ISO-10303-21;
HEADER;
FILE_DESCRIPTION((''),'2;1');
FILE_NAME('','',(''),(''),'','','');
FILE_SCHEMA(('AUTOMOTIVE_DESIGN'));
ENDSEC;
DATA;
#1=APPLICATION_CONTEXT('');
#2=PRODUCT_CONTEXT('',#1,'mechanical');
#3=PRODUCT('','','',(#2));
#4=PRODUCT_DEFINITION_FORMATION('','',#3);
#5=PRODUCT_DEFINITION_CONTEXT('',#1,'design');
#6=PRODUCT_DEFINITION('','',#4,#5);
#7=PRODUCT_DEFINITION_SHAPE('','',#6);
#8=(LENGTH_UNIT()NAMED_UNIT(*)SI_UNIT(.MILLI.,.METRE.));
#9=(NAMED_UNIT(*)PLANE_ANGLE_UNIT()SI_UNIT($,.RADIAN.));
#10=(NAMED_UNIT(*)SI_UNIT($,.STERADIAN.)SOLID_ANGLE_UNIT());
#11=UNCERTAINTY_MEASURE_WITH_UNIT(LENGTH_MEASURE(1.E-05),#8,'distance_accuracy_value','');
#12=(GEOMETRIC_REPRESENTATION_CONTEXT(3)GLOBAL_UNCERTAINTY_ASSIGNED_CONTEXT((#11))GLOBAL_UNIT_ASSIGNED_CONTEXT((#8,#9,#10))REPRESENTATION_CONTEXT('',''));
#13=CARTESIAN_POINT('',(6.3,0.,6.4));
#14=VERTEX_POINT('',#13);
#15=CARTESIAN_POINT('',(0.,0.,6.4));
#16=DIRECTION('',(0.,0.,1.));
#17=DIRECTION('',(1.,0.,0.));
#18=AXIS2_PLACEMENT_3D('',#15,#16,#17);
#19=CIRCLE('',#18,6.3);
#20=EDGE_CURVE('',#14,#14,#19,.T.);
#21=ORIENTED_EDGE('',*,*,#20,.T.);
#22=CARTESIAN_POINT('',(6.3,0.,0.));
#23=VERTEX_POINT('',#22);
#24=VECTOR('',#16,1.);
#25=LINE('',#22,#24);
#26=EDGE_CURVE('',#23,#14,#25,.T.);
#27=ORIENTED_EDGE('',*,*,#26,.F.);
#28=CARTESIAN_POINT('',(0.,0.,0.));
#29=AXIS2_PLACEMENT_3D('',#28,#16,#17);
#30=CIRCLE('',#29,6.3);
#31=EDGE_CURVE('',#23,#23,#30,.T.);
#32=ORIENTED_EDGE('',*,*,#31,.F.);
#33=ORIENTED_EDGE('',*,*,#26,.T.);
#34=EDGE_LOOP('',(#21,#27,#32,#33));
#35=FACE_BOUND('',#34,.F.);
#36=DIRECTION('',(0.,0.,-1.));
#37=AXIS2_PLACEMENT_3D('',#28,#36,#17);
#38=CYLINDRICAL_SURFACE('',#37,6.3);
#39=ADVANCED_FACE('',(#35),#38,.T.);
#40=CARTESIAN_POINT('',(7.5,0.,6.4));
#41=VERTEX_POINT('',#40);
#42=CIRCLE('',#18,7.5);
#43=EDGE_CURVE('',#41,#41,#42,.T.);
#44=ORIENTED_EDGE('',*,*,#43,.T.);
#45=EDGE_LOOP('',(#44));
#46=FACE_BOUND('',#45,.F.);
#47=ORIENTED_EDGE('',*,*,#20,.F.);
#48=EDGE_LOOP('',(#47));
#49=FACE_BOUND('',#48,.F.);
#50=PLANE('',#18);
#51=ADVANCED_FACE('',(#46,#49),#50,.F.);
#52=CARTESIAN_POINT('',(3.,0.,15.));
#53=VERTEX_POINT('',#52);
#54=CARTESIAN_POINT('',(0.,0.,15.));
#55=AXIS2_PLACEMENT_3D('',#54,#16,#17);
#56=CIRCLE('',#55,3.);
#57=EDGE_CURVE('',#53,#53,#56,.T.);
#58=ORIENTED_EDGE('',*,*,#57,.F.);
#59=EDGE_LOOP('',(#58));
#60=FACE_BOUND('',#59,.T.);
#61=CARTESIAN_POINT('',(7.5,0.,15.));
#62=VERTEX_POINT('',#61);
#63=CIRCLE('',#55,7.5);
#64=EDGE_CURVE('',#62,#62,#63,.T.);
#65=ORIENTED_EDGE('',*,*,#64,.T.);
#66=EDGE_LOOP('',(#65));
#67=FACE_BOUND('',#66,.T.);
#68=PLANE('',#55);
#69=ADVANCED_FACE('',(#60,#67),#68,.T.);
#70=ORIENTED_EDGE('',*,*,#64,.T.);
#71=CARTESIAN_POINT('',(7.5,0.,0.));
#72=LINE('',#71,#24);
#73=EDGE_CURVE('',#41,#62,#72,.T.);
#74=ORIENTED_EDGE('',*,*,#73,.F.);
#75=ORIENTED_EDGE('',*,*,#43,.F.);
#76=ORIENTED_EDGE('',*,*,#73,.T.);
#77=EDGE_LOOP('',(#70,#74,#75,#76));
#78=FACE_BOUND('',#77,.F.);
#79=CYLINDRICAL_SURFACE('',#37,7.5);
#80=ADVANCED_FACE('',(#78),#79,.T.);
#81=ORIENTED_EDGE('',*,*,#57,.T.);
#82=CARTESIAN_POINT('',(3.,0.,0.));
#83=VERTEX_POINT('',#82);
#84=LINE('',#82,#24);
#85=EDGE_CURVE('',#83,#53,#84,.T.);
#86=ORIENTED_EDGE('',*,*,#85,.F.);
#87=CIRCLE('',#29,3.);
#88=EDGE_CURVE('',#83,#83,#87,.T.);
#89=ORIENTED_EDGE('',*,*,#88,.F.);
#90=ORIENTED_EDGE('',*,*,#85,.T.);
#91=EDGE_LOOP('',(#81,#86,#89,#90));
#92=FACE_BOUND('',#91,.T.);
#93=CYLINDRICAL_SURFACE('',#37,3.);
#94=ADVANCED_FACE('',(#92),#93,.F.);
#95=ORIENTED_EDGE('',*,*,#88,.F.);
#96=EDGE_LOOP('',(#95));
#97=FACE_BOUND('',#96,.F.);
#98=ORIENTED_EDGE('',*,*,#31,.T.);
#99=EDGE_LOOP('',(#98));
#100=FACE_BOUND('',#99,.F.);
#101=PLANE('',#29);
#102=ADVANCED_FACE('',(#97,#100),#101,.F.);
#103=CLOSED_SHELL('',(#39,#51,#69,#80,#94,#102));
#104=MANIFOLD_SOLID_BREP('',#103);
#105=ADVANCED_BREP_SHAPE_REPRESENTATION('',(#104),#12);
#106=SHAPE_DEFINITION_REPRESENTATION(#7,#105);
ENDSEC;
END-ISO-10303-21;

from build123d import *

# Parameters (mm, degrees)
F0_R     = 7.5
F0_R_2   = 3
F1_DEPTH = 15
F2_R     = 7.5
F2_R_2   = 6.3
F3_DEPTH = 6.4


with BuildPart() as f1:
    # F0 (on Top) → F1 (new body)
    with BuildSketch(Plane.XY):
        Circle(F0_R)
        Circle(F0_R_2, mode=Mode.SUBTRACT)
    extrude(amount=F1_DEPTH)

    # F2 (on Top) → F3 (cut)
    with BuildSketch(Plane.XY):
        Circle(F2_R)
        Circle(F2_R_2, mode=Mode.SUBTRACT)
    extrude(amount=F3_DEPTH, mode=Mode.SUBTRACT)


solid = f1.part
